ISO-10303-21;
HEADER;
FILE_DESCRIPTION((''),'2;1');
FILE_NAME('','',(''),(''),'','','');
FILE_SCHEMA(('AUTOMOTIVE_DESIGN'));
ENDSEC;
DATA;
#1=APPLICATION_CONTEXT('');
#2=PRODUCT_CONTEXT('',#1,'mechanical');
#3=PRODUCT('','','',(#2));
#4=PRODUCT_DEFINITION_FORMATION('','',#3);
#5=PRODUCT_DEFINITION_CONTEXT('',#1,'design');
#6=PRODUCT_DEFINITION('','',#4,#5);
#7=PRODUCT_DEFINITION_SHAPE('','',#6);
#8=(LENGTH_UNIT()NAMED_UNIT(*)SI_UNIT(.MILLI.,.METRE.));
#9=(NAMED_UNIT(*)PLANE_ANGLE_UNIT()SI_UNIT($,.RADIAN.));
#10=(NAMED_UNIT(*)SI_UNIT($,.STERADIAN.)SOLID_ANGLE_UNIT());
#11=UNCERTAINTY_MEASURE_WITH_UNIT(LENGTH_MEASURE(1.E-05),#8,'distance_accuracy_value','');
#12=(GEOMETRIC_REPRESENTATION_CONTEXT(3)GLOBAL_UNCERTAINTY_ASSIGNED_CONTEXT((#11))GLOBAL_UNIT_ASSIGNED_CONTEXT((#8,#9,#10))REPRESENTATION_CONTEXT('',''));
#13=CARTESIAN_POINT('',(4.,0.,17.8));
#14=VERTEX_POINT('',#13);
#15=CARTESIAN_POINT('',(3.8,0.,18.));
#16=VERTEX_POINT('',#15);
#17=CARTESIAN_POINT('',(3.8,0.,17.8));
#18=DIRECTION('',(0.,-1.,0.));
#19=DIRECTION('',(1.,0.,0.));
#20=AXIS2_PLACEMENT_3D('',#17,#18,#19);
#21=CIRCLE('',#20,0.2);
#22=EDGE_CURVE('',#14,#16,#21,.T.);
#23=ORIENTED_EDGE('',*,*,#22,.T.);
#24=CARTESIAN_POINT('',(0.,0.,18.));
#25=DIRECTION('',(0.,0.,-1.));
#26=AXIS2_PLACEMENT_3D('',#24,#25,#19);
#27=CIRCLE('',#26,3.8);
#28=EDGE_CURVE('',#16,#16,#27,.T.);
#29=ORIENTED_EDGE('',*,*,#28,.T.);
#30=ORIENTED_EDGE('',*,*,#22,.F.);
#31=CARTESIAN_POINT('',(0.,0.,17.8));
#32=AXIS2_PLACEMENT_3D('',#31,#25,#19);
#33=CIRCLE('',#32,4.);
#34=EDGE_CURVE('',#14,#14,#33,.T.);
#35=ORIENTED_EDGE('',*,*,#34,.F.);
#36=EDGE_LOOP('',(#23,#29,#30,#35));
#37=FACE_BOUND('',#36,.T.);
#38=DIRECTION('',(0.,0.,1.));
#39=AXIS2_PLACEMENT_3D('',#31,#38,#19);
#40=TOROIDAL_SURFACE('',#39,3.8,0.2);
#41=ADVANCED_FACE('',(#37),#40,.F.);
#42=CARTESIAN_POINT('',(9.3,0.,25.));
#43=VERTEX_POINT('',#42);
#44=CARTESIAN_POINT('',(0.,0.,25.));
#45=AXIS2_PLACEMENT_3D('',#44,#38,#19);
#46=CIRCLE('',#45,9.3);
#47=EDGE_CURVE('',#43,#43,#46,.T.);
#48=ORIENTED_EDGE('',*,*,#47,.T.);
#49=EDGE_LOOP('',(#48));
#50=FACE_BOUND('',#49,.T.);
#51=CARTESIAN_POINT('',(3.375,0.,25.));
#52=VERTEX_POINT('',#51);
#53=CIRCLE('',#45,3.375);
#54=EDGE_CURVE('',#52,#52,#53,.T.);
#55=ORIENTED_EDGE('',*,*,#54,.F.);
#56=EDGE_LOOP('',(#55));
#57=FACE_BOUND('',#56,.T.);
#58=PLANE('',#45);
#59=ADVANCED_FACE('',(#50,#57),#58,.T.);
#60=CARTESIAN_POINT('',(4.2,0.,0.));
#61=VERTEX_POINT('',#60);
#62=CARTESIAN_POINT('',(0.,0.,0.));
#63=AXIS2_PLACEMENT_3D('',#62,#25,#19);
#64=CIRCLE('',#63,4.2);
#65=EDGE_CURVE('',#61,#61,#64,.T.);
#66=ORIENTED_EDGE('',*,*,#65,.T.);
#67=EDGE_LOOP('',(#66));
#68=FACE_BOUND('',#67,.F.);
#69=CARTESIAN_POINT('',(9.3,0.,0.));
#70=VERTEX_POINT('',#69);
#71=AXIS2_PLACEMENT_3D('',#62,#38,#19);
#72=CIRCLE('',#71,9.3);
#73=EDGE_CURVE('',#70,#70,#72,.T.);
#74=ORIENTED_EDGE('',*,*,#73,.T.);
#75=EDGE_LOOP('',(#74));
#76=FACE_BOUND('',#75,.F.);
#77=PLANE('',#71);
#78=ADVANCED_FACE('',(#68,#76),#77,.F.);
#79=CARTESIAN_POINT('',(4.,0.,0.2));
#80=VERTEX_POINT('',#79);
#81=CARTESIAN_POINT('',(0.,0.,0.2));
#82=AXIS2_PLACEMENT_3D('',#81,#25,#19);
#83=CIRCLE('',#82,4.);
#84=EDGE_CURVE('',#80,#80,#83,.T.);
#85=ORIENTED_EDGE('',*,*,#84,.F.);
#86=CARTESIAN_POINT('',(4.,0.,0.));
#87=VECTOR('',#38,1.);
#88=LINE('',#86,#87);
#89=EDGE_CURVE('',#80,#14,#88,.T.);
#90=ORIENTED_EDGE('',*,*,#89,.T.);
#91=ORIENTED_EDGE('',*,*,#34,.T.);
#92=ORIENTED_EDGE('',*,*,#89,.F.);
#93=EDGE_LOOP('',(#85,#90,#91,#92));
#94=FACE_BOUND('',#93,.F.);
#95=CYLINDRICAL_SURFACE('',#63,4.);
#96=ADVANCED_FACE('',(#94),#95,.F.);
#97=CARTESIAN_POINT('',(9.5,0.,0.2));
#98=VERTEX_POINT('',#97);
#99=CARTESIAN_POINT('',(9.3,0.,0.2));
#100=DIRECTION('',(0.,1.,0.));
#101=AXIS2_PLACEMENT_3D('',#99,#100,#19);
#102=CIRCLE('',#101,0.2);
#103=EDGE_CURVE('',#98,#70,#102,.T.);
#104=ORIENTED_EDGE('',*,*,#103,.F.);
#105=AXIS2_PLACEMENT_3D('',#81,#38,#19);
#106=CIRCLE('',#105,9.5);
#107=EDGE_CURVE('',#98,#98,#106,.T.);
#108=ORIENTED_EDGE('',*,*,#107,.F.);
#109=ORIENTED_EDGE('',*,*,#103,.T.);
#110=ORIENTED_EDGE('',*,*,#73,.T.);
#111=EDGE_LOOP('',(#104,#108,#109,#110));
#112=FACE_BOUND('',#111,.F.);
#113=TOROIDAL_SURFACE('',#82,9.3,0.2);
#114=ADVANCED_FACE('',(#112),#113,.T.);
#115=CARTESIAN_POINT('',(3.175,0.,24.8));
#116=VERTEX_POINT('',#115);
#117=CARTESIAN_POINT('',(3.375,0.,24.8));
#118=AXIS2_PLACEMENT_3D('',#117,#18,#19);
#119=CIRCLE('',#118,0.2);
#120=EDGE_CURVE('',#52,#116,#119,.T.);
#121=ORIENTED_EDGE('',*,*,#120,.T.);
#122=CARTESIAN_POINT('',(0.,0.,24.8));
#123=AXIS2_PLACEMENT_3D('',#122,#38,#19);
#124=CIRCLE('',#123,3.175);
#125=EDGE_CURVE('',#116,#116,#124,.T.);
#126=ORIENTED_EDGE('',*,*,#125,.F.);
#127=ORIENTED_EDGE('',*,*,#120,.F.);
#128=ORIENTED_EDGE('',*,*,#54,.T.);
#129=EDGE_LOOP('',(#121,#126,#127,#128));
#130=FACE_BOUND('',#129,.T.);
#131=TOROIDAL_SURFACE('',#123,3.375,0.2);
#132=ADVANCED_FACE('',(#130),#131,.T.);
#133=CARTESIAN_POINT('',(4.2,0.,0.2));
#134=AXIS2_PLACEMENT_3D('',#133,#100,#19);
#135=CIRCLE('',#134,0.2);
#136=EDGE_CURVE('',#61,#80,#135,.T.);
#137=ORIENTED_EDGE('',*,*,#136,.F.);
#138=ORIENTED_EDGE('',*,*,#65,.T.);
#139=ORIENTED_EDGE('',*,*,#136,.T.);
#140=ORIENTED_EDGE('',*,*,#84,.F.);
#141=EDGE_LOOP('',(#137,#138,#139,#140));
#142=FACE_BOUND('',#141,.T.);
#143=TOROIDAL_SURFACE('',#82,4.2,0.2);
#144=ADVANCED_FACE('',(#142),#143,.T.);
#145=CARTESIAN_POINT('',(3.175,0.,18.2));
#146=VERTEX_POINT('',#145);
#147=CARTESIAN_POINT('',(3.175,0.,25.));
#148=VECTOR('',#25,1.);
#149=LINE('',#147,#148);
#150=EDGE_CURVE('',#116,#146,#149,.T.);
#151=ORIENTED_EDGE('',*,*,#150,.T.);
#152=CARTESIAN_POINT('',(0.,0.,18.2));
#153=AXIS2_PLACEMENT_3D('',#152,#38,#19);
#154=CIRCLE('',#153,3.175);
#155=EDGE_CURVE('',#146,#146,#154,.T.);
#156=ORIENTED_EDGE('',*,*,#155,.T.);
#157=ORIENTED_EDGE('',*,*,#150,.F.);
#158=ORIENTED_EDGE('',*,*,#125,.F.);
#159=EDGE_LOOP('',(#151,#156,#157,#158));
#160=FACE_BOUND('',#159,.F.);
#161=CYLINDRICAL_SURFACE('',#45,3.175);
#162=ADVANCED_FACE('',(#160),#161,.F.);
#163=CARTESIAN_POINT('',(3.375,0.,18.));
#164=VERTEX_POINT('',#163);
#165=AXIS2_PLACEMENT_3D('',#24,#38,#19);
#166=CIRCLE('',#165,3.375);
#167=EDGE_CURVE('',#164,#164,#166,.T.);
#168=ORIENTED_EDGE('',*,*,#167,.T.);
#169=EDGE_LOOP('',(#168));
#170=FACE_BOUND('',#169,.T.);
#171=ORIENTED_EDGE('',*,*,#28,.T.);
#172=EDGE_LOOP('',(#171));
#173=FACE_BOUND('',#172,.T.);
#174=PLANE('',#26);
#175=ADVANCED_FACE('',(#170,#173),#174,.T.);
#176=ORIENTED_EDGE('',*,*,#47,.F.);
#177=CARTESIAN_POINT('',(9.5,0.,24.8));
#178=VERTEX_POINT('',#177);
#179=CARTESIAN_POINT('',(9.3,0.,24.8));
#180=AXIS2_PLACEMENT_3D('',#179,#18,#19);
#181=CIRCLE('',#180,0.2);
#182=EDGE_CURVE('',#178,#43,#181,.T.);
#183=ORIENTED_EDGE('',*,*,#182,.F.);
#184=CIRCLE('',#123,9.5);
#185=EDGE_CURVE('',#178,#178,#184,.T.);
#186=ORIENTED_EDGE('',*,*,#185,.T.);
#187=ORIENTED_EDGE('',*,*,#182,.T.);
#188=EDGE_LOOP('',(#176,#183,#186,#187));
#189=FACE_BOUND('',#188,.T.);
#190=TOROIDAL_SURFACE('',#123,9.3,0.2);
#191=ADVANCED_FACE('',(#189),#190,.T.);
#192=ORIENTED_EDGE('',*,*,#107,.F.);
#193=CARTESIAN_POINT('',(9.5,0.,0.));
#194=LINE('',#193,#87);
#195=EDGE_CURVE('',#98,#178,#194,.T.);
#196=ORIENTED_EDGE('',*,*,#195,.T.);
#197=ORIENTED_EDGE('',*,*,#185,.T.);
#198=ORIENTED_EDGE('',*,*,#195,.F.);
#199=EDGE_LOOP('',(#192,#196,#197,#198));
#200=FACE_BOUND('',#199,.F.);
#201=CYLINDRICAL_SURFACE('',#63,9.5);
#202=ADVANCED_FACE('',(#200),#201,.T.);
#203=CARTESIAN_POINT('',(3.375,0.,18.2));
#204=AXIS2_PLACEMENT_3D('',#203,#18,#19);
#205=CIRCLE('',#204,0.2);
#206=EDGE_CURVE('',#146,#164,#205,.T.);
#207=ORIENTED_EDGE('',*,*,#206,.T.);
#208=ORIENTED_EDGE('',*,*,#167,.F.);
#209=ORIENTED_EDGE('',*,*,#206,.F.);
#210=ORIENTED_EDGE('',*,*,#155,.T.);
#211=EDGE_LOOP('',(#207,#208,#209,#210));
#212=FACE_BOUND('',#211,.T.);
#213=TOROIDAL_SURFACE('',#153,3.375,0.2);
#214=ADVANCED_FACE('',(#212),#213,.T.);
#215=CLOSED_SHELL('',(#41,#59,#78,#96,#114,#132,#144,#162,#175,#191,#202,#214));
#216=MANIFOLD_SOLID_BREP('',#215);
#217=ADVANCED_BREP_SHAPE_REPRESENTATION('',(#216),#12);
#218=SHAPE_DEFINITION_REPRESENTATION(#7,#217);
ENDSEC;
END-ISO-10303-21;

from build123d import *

# Parameters (mm, degrees)
F0_R     = 9.5
F1_DEPTH = 25
F2_R     = 3.175
F3_DEPTH = 7
F4_R     = 4
F5_DEPTH = 18
F6_R     = 0.2


with BuildPart() as f1:
    # F0 (on Top) → F1 (new body)
    with BuildSketch(Plane.XY):
        Circle(F0_R)
    extrude(amount=F1_DEPTH)

    # F2 (on face) → F3 (cut)
    with BuildSketch(Plane.XY.offset(25)):
        Circle(F2_R)
    extrude(amount=-F3_DEPTH, mode=Mode.SUBTRACT)

    # F4 (on face) → F5 (cut)
    with BuildSketch(Plane(origin=(0, 0, 0), x_dir=(1, 0, 0), z_dir=(0, 0, -1))):
        Circle(F4_R)
    extrude(amount=-F5_DEPTH, mode=Mode.SUBTRACT)

    # F6
    f6_edges = [f1.edges().sort_by_distance(p)[0] for p in [
        (-9.5, 0, 25),
        (-9.5, 0, 0),
        (-3.175, 0, 25),
        (-4, 0, 18),
        (-3.175, 0, 18),
        (-4, 0, 0),
    ]]
    fillet(f6_edges, radius=F6_R)


solid = f1.part
